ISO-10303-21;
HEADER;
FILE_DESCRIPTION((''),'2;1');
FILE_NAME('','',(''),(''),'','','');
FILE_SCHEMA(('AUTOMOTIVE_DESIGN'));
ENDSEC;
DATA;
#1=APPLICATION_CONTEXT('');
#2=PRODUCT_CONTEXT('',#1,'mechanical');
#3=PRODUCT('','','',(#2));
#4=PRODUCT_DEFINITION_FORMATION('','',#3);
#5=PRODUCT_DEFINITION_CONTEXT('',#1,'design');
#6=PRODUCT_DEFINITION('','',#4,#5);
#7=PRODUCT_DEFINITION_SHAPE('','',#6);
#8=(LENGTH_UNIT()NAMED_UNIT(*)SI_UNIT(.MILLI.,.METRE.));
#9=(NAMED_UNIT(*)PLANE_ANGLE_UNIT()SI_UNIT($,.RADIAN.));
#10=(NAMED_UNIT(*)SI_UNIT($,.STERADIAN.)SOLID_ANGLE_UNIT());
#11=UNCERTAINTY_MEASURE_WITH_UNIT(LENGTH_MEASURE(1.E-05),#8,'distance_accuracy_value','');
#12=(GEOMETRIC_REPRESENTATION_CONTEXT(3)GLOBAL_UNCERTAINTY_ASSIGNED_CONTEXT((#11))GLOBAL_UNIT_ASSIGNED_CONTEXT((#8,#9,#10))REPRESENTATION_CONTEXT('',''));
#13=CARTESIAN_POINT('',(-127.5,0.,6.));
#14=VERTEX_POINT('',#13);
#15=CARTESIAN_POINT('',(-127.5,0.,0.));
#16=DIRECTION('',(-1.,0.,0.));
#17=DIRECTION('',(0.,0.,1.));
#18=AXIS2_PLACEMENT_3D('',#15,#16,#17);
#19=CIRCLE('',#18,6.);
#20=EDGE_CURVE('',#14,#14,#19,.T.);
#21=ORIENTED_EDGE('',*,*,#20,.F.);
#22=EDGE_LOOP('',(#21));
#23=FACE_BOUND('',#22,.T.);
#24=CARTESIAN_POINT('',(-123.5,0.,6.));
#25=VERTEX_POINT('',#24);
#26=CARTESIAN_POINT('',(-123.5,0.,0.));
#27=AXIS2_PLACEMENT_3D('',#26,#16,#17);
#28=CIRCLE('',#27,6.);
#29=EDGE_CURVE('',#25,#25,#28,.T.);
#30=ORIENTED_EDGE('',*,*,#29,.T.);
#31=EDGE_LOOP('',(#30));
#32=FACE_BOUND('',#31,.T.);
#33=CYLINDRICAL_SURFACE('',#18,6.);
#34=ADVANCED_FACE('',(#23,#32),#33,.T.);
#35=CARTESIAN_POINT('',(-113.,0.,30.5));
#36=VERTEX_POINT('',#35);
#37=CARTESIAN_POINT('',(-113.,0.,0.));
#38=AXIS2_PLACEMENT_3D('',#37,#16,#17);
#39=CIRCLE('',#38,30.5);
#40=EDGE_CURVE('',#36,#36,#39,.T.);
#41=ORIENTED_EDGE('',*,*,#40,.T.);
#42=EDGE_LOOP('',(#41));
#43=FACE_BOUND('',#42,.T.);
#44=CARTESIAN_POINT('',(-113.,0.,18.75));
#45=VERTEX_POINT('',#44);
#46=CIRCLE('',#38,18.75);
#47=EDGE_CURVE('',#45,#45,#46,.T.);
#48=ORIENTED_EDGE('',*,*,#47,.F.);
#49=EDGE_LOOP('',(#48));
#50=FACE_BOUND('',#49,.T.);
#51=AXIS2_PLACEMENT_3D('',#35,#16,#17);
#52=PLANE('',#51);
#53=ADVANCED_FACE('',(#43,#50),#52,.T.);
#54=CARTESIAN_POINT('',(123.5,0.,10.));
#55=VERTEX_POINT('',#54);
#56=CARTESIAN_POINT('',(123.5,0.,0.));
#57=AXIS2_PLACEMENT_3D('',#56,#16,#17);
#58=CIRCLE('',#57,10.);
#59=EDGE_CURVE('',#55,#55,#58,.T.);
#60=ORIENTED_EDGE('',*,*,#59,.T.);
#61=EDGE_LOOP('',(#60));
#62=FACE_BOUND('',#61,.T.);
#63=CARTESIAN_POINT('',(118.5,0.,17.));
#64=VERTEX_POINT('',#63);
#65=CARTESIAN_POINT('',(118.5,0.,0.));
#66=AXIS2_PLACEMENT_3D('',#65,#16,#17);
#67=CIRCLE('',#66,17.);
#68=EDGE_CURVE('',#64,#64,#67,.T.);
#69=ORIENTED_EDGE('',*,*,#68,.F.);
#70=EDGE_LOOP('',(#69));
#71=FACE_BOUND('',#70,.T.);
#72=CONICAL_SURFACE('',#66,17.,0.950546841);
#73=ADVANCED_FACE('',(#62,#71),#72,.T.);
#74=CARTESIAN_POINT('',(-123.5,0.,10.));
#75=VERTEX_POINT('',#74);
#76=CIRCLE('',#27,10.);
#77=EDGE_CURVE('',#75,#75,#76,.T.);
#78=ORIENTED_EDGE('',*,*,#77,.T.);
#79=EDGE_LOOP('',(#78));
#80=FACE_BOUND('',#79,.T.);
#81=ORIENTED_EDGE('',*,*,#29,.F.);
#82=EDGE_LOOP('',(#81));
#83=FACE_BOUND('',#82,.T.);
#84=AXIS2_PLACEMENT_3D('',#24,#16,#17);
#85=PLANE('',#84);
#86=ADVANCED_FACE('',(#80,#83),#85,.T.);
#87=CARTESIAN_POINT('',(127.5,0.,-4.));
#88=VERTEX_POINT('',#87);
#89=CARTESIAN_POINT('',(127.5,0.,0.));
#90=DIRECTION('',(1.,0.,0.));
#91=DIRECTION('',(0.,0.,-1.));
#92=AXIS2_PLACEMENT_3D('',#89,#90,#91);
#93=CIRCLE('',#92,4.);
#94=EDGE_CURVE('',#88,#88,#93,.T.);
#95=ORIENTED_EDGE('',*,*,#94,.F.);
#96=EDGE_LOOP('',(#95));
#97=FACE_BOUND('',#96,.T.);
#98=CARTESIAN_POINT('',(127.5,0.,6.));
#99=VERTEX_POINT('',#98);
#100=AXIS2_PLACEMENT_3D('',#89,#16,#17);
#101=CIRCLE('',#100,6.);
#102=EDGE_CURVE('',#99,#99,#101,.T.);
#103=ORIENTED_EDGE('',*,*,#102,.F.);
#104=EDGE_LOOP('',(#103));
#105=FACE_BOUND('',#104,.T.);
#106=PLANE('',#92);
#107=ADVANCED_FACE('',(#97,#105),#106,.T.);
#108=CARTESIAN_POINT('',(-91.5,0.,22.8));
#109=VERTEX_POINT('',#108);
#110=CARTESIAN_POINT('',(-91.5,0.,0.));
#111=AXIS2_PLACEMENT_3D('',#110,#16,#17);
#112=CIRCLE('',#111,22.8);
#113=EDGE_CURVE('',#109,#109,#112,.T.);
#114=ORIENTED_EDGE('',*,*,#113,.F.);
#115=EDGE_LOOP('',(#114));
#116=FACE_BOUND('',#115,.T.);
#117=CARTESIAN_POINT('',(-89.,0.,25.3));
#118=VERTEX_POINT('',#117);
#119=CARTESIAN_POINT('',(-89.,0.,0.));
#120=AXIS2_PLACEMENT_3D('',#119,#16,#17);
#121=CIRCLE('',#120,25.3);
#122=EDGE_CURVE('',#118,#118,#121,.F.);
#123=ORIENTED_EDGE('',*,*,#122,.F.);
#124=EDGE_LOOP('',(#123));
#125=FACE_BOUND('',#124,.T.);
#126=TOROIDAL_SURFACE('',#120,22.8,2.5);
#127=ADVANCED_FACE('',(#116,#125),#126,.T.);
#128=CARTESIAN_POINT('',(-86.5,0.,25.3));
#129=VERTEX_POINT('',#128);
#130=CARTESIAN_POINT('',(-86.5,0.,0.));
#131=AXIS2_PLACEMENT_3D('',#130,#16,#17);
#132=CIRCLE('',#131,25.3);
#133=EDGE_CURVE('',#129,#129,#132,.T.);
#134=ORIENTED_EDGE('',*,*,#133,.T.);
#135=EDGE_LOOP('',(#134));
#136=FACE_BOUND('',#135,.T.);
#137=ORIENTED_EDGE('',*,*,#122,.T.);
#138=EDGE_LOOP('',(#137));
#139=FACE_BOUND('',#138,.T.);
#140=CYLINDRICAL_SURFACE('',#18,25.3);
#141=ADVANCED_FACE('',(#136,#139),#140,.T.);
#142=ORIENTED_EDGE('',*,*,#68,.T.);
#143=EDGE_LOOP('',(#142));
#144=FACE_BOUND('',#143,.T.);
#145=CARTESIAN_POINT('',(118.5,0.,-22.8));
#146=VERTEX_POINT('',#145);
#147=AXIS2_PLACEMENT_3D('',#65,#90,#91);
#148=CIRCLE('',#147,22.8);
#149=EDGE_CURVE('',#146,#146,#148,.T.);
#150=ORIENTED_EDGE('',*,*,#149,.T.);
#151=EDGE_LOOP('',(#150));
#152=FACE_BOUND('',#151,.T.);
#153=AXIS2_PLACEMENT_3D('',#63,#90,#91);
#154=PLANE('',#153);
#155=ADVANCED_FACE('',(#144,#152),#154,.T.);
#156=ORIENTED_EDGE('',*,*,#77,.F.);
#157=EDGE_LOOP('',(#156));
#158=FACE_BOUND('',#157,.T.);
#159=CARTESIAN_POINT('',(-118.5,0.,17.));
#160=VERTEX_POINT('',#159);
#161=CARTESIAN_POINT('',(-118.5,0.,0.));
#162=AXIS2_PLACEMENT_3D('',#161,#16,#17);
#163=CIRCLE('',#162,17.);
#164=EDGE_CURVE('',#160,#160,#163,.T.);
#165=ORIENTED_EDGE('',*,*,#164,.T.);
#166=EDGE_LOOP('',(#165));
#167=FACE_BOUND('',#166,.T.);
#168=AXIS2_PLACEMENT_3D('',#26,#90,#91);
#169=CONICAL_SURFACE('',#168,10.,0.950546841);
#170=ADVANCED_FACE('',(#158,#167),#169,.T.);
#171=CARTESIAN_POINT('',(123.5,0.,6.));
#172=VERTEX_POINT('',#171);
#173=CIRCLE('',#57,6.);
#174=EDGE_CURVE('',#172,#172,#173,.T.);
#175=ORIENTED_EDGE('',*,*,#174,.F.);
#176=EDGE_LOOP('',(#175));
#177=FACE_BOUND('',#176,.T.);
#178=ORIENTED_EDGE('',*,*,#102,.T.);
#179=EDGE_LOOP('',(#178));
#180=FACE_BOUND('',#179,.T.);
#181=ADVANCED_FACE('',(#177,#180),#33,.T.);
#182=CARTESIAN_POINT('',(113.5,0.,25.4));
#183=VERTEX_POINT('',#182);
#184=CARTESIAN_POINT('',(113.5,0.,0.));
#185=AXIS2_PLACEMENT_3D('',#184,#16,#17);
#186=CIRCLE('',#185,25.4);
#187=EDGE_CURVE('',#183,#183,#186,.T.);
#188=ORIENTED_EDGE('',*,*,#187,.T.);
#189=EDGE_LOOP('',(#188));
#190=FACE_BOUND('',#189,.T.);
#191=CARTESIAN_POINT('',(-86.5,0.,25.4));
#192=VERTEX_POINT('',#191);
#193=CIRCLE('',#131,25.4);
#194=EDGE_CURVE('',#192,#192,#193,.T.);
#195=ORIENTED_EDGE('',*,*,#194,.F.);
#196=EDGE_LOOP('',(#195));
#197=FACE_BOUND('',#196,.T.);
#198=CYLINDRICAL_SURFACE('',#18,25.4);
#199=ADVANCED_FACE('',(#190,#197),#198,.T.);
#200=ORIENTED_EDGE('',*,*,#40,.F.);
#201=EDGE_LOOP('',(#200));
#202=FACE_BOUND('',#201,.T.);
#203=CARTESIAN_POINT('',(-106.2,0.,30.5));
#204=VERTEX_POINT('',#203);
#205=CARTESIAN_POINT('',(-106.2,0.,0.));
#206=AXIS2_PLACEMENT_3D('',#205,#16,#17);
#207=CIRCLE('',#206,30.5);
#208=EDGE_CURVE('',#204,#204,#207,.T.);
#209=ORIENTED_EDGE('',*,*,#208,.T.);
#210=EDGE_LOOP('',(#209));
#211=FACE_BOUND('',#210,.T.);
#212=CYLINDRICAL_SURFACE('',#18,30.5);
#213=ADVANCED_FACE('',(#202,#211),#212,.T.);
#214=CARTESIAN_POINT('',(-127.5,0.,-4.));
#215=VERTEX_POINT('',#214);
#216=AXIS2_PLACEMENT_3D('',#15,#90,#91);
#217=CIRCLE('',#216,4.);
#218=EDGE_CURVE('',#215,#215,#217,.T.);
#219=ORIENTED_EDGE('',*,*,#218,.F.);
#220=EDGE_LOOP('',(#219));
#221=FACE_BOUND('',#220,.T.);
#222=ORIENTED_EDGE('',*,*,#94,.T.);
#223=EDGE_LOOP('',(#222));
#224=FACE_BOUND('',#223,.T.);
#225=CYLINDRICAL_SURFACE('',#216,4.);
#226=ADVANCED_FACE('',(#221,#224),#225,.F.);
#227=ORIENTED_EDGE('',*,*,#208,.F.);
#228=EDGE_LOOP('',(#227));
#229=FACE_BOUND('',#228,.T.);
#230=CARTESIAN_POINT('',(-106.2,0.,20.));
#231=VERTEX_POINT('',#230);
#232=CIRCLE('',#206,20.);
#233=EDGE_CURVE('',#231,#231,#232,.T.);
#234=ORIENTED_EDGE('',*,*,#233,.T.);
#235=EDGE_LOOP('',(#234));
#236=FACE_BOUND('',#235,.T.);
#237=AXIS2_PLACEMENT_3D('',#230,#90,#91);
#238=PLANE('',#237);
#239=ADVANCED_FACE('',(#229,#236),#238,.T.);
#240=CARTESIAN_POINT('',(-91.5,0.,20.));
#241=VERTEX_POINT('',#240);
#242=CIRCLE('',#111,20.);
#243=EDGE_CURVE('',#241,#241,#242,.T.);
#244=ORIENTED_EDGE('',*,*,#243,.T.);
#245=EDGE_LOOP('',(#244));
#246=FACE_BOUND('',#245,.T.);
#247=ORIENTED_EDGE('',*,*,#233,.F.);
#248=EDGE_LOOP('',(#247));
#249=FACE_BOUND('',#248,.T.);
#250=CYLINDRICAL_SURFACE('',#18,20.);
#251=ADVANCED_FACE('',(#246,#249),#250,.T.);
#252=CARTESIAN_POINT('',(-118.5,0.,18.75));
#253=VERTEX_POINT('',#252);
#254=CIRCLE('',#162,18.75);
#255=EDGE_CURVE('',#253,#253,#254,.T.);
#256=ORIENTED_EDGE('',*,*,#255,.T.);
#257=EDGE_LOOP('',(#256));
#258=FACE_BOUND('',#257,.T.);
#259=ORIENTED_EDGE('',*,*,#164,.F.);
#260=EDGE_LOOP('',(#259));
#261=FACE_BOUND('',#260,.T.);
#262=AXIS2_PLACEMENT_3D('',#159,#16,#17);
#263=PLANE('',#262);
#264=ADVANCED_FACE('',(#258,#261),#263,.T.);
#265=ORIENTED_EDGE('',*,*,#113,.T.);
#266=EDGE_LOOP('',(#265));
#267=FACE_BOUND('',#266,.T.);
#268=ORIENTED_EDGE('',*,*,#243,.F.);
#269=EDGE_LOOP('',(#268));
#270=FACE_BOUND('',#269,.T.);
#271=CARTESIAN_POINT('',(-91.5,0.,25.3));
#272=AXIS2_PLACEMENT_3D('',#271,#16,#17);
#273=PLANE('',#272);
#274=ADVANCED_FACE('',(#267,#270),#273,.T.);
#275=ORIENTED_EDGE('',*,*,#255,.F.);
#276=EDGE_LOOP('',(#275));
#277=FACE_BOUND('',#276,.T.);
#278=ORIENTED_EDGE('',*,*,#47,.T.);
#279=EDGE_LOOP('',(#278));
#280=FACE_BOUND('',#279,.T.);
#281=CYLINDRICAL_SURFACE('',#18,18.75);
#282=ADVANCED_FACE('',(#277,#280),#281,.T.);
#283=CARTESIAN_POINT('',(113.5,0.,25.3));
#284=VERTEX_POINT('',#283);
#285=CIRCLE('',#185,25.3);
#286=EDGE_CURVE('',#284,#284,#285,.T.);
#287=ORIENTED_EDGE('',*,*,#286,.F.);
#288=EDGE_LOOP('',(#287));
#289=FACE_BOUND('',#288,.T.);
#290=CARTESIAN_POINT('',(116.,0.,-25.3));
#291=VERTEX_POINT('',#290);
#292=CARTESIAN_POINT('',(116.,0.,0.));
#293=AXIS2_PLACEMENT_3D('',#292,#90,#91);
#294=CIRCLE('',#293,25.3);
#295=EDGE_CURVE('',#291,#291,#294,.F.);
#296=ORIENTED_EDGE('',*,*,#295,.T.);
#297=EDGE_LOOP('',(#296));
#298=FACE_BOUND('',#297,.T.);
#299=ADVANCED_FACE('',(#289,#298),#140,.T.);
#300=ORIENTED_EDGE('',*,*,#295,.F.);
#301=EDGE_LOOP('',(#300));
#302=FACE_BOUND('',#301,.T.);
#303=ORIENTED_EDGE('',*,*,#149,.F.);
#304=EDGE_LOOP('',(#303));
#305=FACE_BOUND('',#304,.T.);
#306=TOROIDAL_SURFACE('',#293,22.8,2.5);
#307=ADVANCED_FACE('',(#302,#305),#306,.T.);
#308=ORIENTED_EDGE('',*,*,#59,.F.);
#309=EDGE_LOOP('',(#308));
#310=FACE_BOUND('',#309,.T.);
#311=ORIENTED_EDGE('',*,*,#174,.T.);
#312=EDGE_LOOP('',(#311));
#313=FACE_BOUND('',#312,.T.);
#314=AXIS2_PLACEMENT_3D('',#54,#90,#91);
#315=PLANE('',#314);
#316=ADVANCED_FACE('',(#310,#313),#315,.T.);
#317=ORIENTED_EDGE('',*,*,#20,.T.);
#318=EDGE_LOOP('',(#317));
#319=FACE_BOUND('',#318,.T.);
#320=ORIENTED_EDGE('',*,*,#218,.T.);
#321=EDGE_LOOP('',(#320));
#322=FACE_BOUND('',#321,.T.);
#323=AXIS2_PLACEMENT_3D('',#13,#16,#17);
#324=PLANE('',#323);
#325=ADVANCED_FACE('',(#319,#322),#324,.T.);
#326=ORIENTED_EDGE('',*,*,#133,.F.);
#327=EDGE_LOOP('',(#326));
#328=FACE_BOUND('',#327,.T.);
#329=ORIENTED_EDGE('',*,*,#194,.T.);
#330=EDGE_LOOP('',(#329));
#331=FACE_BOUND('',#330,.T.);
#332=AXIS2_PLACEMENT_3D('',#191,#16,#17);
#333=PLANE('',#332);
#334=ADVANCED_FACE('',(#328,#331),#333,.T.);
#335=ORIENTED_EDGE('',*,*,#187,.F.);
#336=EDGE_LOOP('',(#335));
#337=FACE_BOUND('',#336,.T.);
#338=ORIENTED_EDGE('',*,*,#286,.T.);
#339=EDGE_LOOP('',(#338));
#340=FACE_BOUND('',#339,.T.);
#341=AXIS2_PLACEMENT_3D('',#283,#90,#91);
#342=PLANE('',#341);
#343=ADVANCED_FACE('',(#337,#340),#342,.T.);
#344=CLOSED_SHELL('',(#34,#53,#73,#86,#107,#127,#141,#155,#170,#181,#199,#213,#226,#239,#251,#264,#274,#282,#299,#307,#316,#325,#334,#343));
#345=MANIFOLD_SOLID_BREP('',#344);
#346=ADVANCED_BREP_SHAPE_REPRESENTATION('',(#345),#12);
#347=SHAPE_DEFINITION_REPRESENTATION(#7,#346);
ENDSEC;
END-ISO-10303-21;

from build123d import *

# Parameters (mm, degrees)
CUT_EXTRUDE1_DEPTH      = 135.59847696
CUT_EXTRUDE1_DEPTH_BACK = 135.59847696
SKETCH3_R               = 4
FILLET1_R               = 2.5


with BuildPart() as part:
    # Sketch1 → Revolve1 (revolve)
    with BuildSketch(Plane(origin=(0, 0, 0), x_dir=(1, 0, 0), z_dir=(0, 1, 0))):
        Polygon((-127.5, 0), (127.5, 0), (127.5, -6), (123.5, -6), (123.5, -10), (118.5, -17), (118.5, -25.3), (113.5, -25.3), (113.5, -25.4), (-86.5, -25.4), (-86.5, -25.3), (-91.5, -25.3), (-91.5, -20), (-106.2, -20), (-106.2, -30.5), (-113, -30.5), (-113, -18.75), (-118.5, -18.75), (-118.5, -17), (-123.5, -10), (-123.5, -6), (-127.5, -6), align=None)
    revolve(axis=Axis((-127.5, 0, 0), (1, 0, 0)))

    # Sketch3 → Cut-Extrude1 (cut, two sides: drawn at the far end of the back side and taken through both)
    with BuildSketch(Plane(origin=(0, 0, 0), x_dir=(0, 0, -1), z_dir=(1, 0, 0)).offset(-CUT_EXTRUDE1_DEPTH_BACK)):
        Circle(SKETCH3_R)
    extrude(amount=CUT_EXTRUDE1_DEPTH + CUT_EXTRUDE1_DEPTH_BACK, mode=Mode.SUBTRACT)

    # Fillet1
    fillet1_edges = [part.edges().sort_by_distance(p)[0] for p in [
        (-91.5, 0, -25.3),
        (118.5, 0, -25.3),
    ]]
    fillet(fillet1_edges, radius=FILLET1_R)


solid = part.part
